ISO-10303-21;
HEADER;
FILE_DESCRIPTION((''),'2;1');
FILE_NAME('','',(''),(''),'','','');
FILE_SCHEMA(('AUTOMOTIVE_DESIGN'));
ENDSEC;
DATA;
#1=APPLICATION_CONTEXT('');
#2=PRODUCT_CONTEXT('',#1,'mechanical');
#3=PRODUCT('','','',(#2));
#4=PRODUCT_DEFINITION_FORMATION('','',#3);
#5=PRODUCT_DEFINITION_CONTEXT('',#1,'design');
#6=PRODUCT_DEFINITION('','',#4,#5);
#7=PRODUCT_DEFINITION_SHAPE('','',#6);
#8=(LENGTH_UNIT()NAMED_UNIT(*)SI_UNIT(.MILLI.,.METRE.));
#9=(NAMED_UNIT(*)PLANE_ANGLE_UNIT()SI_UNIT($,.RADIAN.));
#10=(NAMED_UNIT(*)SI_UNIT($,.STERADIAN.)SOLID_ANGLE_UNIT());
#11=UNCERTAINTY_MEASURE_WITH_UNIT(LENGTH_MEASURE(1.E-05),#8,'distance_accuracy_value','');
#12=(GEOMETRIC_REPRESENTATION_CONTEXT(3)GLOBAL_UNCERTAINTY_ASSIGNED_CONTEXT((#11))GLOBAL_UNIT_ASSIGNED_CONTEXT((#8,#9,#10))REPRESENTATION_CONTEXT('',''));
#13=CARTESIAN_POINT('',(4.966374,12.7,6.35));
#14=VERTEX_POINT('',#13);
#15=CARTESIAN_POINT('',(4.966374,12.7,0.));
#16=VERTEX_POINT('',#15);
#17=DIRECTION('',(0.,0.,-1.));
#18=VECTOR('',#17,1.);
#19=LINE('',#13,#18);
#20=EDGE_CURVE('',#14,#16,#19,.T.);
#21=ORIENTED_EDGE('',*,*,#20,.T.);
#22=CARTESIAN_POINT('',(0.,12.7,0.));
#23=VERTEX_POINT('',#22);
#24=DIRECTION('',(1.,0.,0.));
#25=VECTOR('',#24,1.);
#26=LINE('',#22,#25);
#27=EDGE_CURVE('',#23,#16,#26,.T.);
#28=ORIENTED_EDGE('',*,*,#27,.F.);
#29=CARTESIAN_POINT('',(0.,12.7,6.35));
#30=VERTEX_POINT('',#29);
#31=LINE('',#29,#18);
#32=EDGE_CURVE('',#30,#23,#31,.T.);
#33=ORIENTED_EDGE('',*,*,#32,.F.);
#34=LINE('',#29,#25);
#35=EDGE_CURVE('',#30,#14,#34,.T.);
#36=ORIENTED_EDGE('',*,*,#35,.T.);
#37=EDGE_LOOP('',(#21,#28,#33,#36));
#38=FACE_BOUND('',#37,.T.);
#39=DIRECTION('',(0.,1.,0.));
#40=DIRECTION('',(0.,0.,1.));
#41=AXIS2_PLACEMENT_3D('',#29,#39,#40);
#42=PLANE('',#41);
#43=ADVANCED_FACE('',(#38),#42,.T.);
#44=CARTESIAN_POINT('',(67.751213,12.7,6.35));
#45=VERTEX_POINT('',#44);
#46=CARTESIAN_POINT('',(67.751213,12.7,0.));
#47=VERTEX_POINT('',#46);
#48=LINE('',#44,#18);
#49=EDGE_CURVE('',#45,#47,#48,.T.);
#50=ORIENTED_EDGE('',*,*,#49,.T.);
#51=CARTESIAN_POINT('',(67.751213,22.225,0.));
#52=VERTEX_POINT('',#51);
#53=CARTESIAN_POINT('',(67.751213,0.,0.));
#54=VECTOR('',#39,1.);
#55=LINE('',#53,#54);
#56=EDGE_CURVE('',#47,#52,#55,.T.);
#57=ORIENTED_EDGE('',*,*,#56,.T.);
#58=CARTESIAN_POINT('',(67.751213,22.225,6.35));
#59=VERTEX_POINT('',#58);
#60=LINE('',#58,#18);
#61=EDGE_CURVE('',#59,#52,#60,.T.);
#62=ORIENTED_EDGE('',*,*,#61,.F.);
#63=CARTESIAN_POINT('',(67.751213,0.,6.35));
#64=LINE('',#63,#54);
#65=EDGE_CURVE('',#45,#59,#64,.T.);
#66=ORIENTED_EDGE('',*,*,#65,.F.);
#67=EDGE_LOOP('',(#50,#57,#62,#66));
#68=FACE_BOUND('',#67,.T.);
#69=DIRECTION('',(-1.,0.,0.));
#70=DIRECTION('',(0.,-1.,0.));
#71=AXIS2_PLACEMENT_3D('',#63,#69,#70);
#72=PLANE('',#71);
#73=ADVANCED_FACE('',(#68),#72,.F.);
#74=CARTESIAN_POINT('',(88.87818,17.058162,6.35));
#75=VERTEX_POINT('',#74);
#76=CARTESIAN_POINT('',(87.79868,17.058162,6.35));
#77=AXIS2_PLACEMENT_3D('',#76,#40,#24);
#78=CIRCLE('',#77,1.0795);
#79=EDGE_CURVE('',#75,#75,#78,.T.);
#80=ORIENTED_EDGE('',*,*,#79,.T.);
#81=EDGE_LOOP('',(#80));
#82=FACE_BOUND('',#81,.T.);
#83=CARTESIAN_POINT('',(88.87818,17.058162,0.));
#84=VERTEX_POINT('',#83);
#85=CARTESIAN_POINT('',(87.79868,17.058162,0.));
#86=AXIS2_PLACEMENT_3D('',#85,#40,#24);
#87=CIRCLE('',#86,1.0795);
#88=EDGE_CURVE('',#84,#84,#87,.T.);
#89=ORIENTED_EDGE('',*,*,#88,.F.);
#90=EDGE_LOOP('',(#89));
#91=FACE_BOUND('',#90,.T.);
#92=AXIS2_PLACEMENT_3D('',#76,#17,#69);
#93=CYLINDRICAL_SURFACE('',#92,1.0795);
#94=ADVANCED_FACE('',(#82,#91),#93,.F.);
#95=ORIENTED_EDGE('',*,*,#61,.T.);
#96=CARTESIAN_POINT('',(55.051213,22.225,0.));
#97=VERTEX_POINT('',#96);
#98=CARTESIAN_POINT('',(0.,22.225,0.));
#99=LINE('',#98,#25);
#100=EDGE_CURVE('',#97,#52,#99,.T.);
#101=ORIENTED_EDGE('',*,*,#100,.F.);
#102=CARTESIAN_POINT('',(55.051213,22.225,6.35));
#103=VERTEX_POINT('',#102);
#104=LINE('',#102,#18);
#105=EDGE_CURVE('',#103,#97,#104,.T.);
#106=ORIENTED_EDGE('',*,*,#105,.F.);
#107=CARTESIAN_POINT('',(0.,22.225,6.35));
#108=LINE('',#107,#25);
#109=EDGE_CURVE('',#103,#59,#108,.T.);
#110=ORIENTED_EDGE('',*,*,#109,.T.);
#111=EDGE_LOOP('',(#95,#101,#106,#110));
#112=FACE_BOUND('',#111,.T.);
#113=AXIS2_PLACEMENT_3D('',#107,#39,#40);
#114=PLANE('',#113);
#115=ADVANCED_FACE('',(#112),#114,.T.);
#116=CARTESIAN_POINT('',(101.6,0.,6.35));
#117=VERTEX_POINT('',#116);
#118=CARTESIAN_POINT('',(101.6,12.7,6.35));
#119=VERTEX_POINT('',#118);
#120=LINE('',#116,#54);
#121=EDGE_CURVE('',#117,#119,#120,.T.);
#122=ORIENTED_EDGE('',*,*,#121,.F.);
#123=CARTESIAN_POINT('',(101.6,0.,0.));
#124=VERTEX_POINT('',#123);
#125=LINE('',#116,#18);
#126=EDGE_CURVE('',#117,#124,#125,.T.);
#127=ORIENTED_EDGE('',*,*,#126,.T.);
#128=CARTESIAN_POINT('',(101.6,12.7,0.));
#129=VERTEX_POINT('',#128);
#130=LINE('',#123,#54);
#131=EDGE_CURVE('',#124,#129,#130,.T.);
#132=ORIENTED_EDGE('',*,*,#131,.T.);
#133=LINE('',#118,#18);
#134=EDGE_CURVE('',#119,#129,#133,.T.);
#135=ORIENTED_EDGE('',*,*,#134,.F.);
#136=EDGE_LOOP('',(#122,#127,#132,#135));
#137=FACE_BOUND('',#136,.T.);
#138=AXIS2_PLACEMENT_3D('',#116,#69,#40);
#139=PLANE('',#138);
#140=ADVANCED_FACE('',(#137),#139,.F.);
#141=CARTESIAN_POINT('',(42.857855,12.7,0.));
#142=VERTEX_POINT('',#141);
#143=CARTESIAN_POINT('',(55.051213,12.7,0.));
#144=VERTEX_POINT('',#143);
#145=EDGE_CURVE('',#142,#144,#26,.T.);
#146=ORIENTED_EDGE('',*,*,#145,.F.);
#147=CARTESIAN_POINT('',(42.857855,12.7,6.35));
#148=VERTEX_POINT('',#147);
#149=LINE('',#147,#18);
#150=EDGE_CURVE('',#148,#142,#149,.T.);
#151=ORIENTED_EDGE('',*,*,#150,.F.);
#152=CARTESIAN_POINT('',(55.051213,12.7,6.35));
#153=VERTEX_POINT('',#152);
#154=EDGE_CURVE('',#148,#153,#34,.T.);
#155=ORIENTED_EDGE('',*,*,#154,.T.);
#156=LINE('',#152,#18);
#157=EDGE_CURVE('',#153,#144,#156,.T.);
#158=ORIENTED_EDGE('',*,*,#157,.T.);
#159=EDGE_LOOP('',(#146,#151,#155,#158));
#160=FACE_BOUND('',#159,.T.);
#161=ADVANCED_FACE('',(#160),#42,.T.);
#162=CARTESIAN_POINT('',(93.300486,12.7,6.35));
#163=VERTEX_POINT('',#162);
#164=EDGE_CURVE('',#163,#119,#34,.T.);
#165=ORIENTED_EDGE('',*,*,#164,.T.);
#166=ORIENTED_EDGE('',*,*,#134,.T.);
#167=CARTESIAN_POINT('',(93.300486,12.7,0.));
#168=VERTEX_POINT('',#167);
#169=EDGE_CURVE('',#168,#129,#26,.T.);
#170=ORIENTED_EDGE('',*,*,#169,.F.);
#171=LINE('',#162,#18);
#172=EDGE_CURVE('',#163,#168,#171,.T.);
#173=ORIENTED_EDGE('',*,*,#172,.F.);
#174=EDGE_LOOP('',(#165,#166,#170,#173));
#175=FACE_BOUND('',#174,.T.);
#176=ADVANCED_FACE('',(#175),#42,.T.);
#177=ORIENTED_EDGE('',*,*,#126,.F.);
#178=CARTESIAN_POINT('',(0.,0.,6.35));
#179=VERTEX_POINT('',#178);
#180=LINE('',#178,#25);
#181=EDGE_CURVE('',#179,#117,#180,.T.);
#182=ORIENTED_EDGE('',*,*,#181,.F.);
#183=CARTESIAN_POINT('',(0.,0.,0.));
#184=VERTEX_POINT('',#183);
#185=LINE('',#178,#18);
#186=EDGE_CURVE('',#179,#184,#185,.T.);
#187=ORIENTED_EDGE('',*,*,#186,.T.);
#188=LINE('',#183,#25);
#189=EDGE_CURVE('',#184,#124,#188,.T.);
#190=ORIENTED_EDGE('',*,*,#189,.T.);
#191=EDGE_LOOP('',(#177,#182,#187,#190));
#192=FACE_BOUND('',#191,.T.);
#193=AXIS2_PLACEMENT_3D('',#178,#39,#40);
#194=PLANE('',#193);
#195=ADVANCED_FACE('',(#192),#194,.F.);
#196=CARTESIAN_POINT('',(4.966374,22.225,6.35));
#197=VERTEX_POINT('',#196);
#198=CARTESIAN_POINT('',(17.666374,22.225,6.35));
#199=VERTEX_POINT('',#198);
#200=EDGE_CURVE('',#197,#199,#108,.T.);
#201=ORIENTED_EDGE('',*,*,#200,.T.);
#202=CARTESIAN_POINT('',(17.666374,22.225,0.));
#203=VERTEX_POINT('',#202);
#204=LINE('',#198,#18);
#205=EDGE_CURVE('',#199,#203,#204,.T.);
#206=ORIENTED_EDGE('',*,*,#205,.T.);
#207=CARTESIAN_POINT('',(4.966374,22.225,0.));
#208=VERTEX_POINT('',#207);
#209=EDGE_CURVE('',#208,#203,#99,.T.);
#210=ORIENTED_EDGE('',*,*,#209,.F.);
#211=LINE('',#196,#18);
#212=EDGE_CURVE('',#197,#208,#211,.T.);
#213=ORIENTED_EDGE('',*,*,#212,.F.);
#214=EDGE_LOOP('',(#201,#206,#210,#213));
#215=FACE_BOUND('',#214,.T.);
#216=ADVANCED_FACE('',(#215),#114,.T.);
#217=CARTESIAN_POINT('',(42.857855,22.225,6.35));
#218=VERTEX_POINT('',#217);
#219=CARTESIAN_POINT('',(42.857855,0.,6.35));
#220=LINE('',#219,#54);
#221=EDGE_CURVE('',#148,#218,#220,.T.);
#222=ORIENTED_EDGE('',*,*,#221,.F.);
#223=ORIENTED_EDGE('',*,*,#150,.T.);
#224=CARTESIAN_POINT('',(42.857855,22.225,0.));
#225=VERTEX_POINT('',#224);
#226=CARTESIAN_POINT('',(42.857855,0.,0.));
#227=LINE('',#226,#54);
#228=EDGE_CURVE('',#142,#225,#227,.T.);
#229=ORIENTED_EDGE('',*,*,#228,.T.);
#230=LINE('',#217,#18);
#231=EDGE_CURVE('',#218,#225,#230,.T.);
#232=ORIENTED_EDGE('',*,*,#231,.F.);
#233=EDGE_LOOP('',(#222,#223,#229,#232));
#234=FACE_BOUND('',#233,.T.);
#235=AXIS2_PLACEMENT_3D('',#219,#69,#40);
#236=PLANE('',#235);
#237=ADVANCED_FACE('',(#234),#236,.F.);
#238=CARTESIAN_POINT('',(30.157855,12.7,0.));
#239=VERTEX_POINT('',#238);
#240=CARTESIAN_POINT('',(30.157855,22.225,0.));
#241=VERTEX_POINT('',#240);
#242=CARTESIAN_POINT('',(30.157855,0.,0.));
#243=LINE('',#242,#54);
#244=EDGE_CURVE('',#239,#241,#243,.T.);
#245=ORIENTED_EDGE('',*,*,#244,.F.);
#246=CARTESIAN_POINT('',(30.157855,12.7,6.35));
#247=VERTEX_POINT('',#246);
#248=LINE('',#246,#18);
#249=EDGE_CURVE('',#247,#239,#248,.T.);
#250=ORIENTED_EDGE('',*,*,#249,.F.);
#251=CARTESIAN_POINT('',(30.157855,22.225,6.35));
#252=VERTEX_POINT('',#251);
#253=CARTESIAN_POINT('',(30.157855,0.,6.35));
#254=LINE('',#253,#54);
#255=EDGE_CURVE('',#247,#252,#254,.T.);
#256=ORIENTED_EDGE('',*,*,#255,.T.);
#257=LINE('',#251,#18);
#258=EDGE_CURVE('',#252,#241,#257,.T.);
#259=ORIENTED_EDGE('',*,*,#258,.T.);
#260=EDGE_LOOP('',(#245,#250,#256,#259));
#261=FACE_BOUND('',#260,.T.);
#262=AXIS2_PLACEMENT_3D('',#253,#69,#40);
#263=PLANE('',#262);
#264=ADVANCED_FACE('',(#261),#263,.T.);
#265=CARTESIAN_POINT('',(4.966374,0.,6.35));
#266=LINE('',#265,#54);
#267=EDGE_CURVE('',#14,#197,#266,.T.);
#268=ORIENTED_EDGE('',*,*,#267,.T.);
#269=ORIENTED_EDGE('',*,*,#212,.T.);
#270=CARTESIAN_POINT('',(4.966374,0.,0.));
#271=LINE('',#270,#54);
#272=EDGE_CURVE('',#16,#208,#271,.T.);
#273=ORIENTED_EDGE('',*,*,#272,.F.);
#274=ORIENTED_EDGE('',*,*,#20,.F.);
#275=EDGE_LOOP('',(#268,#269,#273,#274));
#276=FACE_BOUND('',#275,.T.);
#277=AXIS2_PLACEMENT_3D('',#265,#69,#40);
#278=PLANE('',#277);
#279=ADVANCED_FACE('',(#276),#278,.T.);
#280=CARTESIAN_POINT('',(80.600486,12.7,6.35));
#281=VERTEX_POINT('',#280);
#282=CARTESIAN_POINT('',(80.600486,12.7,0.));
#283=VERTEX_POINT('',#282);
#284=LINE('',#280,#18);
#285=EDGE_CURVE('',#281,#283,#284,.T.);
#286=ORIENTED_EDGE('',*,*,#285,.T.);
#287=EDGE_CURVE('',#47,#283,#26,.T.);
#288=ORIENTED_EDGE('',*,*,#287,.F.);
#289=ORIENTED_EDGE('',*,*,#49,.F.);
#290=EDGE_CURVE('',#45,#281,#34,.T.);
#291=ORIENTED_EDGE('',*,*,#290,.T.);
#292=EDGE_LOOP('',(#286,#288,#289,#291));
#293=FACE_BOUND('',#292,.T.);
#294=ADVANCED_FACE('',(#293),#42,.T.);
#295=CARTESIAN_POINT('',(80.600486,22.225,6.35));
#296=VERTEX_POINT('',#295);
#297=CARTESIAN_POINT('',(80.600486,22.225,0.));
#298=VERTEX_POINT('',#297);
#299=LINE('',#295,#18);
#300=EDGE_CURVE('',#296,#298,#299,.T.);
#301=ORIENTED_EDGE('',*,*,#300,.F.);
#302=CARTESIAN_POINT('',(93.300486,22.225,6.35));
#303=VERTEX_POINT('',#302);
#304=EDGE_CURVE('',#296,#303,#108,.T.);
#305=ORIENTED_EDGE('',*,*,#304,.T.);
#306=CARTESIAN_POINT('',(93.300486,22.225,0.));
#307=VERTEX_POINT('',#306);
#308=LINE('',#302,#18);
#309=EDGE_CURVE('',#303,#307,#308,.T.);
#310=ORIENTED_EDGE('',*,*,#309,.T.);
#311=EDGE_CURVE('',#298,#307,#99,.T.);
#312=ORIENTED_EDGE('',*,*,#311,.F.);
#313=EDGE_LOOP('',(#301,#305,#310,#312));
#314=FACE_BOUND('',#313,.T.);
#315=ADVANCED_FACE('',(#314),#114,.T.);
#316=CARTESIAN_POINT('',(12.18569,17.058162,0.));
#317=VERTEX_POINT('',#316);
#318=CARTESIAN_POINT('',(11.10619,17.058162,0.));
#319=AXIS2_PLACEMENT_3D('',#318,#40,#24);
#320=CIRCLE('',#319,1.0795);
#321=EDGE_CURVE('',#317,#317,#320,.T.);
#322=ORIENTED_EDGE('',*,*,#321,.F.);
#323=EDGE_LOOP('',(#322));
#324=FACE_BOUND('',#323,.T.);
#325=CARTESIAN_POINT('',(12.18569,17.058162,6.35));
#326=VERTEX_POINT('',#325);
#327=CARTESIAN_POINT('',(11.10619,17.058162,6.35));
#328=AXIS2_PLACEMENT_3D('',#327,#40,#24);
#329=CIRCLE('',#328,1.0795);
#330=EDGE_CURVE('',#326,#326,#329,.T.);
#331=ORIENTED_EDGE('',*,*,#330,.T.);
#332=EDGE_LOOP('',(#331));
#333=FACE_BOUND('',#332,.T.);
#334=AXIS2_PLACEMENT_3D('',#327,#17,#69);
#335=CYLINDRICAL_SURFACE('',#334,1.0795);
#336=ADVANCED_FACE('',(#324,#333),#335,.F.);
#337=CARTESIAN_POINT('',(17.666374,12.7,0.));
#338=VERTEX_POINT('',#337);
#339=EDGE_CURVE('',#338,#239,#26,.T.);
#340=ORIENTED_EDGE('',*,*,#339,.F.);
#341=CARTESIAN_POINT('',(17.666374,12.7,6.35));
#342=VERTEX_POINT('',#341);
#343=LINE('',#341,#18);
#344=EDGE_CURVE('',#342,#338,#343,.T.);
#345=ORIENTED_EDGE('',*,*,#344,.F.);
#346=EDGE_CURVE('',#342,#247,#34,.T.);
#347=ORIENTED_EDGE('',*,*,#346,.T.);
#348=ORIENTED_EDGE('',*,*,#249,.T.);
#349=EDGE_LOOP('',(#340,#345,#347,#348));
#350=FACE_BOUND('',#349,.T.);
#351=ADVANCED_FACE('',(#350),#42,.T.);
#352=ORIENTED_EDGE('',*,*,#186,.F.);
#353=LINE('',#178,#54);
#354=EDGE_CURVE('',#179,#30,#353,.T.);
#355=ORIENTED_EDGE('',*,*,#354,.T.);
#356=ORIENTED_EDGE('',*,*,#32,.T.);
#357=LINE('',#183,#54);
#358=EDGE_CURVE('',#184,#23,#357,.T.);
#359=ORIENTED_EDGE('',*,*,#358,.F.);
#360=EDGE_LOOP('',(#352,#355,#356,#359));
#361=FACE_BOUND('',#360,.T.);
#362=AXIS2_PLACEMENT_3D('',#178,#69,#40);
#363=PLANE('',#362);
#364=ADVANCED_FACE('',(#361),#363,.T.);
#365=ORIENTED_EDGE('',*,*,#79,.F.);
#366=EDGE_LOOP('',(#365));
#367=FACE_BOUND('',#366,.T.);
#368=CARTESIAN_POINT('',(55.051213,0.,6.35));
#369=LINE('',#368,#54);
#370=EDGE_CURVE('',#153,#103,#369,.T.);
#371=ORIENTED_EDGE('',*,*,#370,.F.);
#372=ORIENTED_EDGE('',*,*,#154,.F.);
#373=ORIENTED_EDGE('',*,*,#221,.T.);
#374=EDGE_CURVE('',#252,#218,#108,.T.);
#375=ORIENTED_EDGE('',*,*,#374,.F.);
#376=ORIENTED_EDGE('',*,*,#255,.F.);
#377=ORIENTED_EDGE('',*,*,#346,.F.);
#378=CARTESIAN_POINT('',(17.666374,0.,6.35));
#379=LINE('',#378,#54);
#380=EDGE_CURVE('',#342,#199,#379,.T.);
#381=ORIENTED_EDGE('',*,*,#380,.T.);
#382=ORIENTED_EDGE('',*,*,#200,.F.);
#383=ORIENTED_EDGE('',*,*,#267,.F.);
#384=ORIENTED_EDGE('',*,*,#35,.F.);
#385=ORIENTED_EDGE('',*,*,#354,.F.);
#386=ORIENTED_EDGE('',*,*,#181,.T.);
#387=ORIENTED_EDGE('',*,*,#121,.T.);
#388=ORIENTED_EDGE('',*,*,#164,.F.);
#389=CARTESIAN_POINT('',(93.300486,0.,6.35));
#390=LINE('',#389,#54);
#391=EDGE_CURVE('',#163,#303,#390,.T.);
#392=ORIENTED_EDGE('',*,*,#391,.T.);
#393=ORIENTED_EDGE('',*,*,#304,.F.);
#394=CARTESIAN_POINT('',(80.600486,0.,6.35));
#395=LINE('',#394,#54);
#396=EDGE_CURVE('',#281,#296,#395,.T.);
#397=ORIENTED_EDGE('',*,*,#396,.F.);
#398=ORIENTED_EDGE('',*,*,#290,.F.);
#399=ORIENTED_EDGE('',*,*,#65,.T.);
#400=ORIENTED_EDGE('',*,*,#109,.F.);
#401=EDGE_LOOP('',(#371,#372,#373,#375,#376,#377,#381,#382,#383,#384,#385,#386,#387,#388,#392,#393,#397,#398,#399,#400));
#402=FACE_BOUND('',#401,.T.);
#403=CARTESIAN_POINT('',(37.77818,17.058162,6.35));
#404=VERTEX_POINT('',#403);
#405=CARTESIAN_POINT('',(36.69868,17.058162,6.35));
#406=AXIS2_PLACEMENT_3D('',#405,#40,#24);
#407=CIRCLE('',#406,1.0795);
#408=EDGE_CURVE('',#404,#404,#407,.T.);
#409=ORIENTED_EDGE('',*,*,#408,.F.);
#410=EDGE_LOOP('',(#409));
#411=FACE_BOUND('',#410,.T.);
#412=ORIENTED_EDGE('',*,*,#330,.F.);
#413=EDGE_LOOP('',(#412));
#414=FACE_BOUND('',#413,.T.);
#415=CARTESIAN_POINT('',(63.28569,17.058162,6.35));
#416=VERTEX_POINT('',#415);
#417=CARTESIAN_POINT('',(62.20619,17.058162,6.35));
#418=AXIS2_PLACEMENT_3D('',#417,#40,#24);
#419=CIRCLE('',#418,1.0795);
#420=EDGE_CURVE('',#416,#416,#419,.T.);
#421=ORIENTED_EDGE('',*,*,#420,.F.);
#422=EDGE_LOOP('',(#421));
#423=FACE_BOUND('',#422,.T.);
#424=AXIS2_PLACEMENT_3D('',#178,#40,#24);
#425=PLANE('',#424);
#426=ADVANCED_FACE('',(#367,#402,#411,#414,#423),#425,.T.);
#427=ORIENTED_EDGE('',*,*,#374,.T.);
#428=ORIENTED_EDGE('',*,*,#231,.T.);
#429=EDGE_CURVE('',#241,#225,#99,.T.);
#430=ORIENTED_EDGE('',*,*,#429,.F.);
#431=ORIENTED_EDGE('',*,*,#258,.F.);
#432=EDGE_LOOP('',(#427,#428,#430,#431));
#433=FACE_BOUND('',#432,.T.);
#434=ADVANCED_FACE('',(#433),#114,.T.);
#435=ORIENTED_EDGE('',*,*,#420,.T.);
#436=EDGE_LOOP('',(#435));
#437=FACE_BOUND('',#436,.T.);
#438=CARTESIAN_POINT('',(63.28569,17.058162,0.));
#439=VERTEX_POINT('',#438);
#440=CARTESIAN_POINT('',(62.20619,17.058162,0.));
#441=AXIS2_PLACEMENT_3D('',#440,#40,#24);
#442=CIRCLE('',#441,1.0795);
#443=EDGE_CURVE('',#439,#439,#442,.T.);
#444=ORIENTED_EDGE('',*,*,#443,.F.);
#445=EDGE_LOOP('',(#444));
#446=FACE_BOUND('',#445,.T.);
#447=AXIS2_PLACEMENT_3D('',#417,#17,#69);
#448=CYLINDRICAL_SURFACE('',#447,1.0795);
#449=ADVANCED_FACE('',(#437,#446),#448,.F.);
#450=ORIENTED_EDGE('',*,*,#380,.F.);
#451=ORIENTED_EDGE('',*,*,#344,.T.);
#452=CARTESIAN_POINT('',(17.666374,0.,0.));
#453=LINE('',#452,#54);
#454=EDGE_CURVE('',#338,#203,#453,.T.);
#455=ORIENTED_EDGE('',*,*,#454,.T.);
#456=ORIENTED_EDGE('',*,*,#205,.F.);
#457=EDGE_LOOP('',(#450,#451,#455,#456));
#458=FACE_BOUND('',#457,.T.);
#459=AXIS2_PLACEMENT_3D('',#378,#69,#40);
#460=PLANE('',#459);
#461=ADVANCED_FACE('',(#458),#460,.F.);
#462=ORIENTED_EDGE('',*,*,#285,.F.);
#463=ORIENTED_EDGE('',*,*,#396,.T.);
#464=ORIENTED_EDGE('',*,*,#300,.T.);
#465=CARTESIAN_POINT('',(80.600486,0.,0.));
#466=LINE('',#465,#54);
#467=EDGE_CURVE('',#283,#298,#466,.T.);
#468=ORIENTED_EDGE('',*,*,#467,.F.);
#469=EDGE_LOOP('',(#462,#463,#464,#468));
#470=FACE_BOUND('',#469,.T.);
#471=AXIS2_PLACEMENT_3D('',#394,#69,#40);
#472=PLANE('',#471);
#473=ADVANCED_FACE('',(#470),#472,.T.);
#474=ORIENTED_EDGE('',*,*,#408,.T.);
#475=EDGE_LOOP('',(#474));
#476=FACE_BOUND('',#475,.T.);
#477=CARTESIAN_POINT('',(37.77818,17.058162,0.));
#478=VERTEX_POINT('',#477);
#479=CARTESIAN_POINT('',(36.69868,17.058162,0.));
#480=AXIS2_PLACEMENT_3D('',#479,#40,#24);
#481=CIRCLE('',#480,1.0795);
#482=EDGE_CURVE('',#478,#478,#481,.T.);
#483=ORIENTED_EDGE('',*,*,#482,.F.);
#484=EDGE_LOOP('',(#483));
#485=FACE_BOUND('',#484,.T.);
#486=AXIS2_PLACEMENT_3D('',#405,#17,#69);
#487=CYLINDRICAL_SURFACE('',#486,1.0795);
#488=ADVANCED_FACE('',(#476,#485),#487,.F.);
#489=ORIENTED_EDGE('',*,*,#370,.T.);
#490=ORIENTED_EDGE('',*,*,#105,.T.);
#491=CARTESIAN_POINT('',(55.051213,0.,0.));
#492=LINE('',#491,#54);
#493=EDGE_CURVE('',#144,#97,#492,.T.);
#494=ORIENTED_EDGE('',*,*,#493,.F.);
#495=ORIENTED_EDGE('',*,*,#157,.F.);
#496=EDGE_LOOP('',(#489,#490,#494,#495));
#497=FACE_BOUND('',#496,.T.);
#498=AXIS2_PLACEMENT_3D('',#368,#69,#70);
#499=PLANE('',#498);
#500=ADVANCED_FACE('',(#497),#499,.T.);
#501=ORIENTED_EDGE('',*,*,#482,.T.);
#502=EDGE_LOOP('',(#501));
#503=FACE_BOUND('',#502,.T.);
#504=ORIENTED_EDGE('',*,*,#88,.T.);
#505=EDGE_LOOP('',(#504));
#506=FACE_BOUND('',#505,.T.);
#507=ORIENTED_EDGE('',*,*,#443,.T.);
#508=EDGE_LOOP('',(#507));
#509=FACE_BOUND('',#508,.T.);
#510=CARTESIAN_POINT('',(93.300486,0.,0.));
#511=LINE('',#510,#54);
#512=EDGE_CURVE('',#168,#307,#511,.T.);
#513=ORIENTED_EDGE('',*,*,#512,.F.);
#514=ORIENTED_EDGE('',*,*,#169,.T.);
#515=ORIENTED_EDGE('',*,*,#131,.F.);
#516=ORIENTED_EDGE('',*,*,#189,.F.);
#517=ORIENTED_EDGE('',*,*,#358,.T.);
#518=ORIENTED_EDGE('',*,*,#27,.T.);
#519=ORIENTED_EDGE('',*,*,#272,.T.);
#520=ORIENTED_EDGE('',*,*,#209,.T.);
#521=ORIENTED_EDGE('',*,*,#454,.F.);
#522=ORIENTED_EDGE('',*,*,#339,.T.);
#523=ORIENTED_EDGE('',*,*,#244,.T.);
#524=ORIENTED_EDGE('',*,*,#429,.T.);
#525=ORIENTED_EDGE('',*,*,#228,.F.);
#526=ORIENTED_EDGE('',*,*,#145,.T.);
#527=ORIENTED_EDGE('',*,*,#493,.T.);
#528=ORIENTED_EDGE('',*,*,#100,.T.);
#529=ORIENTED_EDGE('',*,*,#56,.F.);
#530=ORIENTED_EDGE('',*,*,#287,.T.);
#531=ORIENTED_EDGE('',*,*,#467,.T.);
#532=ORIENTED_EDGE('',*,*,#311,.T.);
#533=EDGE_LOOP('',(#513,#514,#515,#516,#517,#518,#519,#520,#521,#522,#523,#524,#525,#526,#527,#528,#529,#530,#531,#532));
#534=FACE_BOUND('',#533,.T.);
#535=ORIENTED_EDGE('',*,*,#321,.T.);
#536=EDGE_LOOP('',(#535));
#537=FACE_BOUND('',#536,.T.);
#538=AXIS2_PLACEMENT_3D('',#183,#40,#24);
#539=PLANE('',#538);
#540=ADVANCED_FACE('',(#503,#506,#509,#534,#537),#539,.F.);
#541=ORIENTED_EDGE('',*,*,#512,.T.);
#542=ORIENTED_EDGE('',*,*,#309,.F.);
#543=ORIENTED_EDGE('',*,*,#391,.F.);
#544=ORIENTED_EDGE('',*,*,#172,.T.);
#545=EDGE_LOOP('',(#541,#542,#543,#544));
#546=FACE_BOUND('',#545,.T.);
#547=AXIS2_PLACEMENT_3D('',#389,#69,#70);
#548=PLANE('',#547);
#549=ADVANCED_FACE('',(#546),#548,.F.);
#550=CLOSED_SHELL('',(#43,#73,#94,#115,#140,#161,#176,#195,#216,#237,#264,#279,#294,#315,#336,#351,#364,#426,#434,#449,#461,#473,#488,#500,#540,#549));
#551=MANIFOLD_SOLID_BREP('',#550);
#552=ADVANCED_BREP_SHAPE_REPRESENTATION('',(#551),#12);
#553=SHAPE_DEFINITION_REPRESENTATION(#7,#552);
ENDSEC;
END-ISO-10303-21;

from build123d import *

# Parameters (mm, degrees)
SKETCH2_W           = 12.7
SKETCH2_H           = 9.525
SKETCH2_W_2         = 101.6
SKETCH2_H_2         = 12.7
BOSS_EXTRUDE1_DEPTH = 6.35
SKETCH1_R           = 1.0795
CUT_EXTRUDE2_DEPTH  = 7.35


with BuildPart() as part:
    # Sketch2 → Boss-Extrude1 (new body)
    with BuildSketch(Plane.XY):
        with Locations((11.316373708, 17.4625)):
            Rectangle(SKETCH2_W, SKETCH2_H)
        with Locations((50.8, 6.35)):
            Rectangle(SKETCH2_W_2, SKETCH2_H_2)
        with Locations((36.507855344, 17.4625)):
            Rectangle(SKETCH2_W, SKETCH2_H)
        with Locations((61.401212936, 17.4625)):
            Rectangle(SKETCH2_W, SKETCH2_H)
        with Locations((86.95048554, 17.4625)):
            Rectangle(SKETCH2_W, SKETCH2_H)
    extrude(amount=BOSS_EXTRUDE1_DEPTH)

    # Sketch1 → Cut-Extrude2 (cut, through all)
    with BuildSketch(Plane.XY):
        with Locations((87.798679551, 17.058161716)):
            Circle(SKETCH1_R)
        with Locations((62.206189969, 17.058161716)):
            Circle(SKETCH1_R)
        with Locations((36.698679643, 17.058161716)):
            Circle(SKETCH1_R)
        with Locations((11.106190061, 17.058161716)):
            Circle(SKETCH1_R)
        with Locations((31.326093812, 115.3905236)):
            Circle(SKETCH1_R)
        with Locations((56.918583394, 115.3905236)):
            Circle(SKETCH1_R)
        with Locations((82.42609372, 115.3905236)):
            Circle(SKETCH1_R)
        with Locations((108.018583302, 115.3905236)):
            Circle(SKETCH1_R)
    extrude(amount=CUT_EXTRUDE2_DEPTH, mode=Mode.SUBTRACT)


solid = part.part
